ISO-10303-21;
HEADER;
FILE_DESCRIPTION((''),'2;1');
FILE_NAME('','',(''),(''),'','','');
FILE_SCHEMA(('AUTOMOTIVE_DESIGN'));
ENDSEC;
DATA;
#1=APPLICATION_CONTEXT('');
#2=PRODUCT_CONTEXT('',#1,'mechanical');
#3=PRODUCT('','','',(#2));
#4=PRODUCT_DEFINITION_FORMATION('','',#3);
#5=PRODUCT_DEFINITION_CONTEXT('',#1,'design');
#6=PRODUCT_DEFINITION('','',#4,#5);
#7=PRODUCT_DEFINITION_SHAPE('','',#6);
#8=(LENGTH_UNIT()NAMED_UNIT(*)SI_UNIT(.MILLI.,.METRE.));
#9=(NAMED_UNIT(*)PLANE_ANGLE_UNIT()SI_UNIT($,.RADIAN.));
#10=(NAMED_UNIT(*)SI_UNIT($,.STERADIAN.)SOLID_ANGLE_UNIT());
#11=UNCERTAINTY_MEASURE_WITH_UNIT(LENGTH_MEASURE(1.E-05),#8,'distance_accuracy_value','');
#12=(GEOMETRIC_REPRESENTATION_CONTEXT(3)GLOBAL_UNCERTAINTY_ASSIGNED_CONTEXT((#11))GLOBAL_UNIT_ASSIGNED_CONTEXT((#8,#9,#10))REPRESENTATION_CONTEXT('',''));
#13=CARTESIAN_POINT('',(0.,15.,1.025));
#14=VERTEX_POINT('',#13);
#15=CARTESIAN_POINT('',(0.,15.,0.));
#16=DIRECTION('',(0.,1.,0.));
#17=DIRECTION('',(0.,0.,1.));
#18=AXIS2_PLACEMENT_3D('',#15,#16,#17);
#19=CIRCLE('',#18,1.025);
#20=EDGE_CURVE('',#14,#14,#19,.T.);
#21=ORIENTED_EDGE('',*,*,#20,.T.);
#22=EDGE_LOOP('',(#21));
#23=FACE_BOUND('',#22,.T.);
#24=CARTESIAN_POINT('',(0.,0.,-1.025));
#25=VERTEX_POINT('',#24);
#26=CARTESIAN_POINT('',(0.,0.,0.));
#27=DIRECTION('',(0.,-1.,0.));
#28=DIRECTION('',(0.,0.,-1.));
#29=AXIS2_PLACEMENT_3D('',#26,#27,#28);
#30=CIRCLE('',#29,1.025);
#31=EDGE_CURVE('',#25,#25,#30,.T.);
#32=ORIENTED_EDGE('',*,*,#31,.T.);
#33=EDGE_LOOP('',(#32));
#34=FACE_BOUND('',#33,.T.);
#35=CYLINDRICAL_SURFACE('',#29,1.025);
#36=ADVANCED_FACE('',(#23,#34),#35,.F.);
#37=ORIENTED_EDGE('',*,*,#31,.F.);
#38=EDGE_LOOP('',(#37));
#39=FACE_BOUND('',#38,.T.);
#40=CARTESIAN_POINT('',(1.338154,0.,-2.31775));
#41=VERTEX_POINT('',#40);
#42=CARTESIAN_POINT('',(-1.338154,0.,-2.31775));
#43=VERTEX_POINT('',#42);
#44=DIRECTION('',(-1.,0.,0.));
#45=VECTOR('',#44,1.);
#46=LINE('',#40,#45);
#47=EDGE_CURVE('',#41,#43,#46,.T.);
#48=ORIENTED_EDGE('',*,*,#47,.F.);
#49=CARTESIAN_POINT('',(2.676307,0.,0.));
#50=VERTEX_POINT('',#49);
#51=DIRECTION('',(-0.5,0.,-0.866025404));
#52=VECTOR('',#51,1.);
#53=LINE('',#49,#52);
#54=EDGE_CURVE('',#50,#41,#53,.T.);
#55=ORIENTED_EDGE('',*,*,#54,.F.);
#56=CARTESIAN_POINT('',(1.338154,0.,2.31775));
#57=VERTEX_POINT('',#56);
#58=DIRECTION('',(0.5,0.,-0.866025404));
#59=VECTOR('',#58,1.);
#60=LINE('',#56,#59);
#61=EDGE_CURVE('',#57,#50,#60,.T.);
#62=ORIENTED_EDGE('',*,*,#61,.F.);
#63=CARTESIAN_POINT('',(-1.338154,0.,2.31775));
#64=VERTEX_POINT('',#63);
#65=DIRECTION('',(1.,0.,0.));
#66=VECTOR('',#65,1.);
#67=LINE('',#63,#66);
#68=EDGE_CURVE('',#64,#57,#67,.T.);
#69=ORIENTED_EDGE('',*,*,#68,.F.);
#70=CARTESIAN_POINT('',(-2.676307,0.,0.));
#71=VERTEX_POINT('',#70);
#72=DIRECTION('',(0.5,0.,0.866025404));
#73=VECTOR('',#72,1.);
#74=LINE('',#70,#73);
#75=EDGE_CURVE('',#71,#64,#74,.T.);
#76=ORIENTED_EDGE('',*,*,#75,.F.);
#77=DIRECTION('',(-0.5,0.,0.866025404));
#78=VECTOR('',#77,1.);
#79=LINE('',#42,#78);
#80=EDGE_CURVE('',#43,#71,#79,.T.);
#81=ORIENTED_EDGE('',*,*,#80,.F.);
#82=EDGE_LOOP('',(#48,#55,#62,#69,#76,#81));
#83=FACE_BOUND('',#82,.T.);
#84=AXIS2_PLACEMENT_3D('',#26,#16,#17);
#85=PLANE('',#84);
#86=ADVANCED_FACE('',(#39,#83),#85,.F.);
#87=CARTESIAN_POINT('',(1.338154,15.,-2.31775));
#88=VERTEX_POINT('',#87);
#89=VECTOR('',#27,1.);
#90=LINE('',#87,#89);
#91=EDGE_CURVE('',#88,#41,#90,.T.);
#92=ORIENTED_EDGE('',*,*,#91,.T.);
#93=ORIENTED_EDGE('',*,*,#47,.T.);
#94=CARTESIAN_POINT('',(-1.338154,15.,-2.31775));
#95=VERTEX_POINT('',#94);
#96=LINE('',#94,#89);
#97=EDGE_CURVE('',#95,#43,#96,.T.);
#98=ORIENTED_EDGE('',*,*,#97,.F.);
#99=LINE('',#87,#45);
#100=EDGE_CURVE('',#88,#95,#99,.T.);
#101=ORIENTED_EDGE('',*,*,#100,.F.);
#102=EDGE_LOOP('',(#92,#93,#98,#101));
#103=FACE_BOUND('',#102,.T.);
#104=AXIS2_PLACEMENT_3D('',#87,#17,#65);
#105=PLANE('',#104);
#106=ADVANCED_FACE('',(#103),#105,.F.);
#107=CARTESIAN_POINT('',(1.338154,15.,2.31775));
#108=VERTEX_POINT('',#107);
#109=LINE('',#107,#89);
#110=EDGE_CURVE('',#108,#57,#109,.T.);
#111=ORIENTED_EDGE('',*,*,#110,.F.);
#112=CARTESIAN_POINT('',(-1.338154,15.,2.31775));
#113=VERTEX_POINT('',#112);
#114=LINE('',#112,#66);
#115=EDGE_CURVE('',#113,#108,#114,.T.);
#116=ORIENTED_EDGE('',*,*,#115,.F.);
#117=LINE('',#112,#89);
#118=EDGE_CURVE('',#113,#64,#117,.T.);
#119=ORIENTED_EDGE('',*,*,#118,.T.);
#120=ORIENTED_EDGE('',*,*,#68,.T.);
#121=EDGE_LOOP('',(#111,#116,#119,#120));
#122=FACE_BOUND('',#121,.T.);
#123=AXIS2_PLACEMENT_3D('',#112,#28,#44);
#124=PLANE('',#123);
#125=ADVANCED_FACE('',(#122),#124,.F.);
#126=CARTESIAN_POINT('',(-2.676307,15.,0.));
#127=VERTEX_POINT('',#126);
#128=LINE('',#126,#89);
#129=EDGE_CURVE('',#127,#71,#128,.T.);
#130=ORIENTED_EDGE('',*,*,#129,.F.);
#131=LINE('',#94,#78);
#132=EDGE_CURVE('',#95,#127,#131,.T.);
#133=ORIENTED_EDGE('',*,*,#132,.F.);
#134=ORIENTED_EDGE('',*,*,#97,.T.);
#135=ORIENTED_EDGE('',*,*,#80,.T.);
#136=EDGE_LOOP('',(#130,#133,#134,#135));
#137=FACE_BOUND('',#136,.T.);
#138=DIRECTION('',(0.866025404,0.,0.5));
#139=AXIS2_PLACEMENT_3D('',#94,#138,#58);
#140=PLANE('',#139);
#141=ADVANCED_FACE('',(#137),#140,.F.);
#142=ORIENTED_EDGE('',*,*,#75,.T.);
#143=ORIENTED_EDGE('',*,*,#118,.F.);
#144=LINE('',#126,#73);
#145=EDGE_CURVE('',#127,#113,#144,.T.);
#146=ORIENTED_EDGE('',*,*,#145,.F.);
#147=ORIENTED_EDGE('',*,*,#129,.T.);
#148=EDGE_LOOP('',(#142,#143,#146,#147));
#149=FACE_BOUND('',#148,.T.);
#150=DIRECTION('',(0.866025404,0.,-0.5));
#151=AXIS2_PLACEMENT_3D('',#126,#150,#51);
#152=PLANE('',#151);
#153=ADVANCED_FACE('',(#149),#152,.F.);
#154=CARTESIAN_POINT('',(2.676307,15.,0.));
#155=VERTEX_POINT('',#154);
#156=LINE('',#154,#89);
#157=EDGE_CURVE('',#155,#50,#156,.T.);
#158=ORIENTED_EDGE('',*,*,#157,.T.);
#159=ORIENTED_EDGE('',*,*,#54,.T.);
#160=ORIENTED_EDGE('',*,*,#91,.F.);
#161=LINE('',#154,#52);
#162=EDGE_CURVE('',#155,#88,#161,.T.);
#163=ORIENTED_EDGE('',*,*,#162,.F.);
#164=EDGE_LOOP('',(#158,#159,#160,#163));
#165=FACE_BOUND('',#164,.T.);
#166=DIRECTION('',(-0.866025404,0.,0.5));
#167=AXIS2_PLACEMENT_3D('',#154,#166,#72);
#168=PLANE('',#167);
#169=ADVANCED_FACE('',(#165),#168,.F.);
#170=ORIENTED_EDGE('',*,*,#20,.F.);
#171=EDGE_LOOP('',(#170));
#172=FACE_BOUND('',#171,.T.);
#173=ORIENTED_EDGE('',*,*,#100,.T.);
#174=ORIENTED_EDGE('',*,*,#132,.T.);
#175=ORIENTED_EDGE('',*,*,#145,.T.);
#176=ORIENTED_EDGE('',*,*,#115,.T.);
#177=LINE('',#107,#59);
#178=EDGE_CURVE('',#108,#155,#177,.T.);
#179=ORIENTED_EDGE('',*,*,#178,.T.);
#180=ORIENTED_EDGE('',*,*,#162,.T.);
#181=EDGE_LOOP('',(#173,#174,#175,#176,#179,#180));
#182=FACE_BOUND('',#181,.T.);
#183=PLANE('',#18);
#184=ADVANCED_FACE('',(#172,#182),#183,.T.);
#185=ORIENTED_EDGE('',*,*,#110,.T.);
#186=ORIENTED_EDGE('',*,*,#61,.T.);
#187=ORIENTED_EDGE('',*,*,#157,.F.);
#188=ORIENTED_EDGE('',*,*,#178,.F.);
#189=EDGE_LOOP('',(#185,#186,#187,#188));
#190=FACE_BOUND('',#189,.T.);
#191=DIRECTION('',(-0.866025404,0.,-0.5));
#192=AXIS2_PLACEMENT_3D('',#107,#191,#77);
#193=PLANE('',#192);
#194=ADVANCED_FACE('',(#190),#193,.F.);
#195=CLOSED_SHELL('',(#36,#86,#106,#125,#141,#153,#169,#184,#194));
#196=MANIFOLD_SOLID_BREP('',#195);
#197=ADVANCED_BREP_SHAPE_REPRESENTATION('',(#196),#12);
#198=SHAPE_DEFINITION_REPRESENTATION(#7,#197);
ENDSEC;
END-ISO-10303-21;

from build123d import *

# Parameters (mm, degrees)
BOSS_EXTRUDE1_DEPTH          = 15
M2_5X0_45_TAPPED_HOLE1_D     = 2.05
M2_5X0_45_TAPPED_HOLE1_DEPTH = 42
M2_5X0_45_TAPPED_HOLE1_TIP   = 0.615882135


with BuildPart() as part:
    # Sketch1 → Boss-Extrude1 (new body)
    with BuildSketch(Plane(origin=(0, 0, 0), x_dir=(1, 0, 0), z_dir=(0, 1, 0))):
        Polygon((1.338153586, -2.31775), (2.676307173, 0), (1.338153586, 2.31775), (-1.338153586, 2.31775), (-2.676307173, 0), (-1.338153586, -2.31775), align=None)
    extrude(amount=BOSS_EXTRUDE1_DEPTH)

    # M2.5x0.45 Tapped Hole1
    with Locations(Plane(origin=(0, 0, 0), x_dir=(-1, 0, 0), z_dir=(0, -1, 0))):
        with Locations((0, 0)):
            Hole(M2_5X0_45_TAPPED_HOLE1_D / 2, depth=M2_5X0_45_TAPPED_HOLE1_DEPTH)
            with Locations((0, 0, -(M2_5X0_45_TAPPED_HOLE1_DEPTH + M2_5X0_45_TAPPED_HOLE1_TIP / 2))):  # 118° drill point
                Cone(0, M2_5X0_45_TAPPED_HOLE1_D / 2, M2_5X0_45_TAPPED_HOLE1_TIP, mode=Mode.SUBTRACT)


solid = part.part
